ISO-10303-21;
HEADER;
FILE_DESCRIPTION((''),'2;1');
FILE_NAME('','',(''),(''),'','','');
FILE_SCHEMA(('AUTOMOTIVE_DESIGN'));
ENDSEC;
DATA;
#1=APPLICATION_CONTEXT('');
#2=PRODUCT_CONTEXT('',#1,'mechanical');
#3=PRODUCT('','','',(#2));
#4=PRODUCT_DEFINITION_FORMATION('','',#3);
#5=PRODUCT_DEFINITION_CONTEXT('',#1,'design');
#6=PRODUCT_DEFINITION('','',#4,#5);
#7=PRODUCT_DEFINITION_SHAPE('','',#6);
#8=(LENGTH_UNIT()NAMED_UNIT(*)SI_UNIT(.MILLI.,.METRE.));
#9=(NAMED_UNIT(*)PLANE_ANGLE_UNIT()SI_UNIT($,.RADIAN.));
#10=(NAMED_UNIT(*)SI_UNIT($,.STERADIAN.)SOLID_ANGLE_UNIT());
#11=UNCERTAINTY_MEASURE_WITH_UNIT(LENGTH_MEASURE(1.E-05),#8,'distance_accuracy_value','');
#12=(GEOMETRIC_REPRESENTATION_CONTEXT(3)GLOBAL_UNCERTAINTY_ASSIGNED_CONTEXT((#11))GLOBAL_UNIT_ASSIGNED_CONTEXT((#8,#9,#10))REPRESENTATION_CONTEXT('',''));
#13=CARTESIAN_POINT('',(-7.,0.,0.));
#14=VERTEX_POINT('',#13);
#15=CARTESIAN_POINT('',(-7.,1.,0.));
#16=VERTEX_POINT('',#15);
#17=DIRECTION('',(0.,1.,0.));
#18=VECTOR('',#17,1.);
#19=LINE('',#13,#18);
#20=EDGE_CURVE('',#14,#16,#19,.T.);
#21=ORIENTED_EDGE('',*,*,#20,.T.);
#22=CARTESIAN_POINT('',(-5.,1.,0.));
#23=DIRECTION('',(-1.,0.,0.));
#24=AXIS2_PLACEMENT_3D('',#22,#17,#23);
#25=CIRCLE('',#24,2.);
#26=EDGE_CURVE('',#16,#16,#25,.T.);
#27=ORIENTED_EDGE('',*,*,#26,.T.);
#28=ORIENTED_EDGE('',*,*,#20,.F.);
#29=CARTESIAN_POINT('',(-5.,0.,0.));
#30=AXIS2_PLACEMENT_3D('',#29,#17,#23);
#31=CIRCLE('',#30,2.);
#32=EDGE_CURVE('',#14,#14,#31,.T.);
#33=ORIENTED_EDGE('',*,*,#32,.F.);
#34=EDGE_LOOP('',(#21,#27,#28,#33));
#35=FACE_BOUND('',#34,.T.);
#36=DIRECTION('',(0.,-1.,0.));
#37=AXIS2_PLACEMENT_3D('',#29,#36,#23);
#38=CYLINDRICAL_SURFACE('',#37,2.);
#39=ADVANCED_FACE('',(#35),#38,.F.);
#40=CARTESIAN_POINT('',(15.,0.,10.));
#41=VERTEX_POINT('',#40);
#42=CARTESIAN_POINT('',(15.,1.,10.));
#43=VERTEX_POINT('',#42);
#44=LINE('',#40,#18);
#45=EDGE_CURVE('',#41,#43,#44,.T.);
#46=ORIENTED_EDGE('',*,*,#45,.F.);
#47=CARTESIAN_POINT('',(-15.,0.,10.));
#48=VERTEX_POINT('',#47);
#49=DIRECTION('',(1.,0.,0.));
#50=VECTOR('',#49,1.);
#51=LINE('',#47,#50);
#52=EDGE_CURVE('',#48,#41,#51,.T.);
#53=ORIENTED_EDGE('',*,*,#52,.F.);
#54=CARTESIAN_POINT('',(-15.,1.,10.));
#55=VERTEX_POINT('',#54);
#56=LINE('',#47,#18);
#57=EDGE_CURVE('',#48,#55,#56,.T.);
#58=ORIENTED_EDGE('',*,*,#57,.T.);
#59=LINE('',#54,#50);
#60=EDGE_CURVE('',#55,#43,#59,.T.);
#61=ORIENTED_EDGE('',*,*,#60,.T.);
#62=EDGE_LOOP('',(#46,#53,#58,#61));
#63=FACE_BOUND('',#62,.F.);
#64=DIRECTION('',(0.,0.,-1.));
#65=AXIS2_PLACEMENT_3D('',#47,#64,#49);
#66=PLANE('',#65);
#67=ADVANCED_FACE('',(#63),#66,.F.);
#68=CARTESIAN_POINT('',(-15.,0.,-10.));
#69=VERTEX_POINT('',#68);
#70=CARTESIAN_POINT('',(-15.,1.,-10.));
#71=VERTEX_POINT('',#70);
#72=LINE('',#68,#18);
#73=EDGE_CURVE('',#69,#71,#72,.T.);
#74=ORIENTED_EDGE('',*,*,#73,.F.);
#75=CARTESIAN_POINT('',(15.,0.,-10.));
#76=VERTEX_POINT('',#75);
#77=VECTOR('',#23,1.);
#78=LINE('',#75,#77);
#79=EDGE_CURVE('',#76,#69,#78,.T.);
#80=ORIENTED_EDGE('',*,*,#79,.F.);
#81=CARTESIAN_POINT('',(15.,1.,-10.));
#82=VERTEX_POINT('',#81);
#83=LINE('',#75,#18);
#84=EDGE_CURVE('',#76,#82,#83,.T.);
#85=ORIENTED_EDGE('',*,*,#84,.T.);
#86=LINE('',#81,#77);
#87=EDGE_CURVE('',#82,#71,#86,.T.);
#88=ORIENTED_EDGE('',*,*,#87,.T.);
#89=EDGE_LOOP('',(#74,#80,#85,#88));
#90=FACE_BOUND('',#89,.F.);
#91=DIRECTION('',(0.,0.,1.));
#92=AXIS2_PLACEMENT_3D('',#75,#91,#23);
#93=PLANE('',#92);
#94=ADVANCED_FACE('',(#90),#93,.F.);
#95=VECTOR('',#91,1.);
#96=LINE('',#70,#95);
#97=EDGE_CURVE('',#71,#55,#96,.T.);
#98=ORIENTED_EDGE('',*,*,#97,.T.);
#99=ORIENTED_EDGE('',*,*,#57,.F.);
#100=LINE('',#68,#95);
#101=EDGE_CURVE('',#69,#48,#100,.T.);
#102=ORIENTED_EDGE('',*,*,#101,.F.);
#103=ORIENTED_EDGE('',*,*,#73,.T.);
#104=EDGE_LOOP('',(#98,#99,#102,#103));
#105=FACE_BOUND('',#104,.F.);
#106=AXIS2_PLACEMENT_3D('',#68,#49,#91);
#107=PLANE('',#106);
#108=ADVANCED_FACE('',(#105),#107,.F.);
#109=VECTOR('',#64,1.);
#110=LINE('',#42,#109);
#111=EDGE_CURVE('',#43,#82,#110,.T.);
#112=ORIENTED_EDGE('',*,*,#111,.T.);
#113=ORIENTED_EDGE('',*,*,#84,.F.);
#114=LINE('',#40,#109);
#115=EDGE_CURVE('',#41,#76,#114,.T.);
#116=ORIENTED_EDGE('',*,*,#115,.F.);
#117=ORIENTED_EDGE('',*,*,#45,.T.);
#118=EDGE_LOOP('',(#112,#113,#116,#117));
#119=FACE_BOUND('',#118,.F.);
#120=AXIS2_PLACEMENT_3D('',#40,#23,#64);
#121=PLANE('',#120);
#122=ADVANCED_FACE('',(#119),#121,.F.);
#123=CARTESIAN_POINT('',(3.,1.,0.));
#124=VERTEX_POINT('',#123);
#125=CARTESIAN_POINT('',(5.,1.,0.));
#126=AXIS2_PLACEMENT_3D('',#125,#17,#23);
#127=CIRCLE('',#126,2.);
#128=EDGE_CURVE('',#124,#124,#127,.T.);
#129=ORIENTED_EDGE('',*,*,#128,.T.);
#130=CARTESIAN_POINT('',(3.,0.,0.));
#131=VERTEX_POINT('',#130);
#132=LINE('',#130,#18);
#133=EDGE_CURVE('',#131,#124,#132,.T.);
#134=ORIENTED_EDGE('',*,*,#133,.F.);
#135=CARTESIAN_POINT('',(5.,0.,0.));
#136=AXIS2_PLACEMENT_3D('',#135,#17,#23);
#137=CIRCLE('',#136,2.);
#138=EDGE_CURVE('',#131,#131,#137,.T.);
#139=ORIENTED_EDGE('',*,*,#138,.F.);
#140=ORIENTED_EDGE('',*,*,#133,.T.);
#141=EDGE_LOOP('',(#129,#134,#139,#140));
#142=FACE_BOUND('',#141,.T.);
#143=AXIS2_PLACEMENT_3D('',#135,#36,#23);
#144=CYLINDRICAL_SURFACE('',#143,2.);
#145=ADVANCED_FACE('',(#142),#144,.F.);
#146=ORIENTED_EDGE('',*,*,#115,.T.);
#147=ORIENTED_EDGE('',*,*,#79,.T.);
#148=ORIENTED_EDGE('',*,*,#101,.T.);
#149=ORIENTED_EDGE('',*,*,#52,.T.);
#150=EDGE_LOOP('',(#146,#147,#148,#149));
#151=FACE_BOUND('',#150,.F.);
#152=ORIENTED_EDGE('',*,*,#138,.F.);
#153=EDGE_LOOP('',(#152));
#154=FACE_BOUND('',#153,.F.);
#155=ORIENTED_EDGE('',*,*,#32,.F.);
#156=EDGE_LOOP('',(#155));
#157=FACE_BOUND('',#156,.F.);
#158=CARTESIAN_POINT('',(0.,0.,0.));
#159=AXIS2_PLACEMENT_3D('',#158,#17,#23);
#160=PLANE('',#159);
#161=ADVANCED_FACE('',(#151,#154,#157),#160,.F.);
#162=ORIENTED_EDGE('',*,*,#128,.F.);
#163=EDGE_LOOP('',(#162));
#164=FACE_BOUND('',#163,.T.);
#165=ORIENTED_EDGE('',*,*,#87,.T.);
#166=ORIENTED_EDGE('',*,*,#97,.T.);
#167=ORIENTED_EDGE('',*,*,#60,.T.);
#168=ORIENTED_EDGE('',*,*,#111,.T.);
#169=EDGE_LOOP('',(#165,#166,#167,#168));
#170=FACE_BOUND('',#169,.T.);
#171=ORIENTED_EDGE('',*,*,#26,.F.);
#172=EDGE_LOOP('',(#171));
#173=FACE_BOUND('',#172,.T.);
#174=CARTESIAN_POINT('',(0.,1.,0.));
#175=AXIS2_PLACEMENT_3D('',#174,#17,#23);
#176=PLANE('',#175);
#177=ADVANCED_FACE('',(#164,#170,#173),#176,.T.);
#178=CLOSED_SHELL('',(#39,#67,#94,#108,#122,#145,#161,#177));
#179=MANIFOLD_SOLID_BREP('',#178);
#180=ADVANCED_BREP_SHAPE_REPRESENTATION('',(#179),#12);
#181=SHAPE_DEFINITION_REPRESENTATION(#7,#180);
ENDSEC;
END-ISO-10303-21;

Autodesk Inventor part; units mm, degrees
ref_plane "YZ Plane" through (0, 0, 0) normal (1, 0, 0) x (0, 1, 0)
ref_plane "XZ Plane" through (0, 0, 0) normal (0, 1, 0) x (-1, 0, 0)
ref_plane "XY Plane" through (0, 0, 0) normal (0, 0, 1) x (1, 0, 0)
sketch "Sketch1" plane through (0, 0, 0) normal (0, 1, 0) x (-1, 0, 0)
  line L0 (-15, -10) -> (15, -10)
  line L1 (15, -10) -> (15, 10)
  line L2 (15, 10) -> (-15, 10)
  line L3 (-15, 10) -> (-15, -10)
  line L4 (-15, -10) -> (15, 10) construction
  line L5 (15, -10) -> (-15, 10) construction
  circle A0 centre (5, 0) radius 2
  circle A1 centre (-5, 0) radius 2
  point P0 (0, 0)
  dimension "d0" = 30
  dimension "d1" = 20
  dimension "d2" = 4
  dimension "d3" = 4
extrude "Extrusion1" add sketch "Sketch1" along normal blind 1
properties part number "trail 10"
